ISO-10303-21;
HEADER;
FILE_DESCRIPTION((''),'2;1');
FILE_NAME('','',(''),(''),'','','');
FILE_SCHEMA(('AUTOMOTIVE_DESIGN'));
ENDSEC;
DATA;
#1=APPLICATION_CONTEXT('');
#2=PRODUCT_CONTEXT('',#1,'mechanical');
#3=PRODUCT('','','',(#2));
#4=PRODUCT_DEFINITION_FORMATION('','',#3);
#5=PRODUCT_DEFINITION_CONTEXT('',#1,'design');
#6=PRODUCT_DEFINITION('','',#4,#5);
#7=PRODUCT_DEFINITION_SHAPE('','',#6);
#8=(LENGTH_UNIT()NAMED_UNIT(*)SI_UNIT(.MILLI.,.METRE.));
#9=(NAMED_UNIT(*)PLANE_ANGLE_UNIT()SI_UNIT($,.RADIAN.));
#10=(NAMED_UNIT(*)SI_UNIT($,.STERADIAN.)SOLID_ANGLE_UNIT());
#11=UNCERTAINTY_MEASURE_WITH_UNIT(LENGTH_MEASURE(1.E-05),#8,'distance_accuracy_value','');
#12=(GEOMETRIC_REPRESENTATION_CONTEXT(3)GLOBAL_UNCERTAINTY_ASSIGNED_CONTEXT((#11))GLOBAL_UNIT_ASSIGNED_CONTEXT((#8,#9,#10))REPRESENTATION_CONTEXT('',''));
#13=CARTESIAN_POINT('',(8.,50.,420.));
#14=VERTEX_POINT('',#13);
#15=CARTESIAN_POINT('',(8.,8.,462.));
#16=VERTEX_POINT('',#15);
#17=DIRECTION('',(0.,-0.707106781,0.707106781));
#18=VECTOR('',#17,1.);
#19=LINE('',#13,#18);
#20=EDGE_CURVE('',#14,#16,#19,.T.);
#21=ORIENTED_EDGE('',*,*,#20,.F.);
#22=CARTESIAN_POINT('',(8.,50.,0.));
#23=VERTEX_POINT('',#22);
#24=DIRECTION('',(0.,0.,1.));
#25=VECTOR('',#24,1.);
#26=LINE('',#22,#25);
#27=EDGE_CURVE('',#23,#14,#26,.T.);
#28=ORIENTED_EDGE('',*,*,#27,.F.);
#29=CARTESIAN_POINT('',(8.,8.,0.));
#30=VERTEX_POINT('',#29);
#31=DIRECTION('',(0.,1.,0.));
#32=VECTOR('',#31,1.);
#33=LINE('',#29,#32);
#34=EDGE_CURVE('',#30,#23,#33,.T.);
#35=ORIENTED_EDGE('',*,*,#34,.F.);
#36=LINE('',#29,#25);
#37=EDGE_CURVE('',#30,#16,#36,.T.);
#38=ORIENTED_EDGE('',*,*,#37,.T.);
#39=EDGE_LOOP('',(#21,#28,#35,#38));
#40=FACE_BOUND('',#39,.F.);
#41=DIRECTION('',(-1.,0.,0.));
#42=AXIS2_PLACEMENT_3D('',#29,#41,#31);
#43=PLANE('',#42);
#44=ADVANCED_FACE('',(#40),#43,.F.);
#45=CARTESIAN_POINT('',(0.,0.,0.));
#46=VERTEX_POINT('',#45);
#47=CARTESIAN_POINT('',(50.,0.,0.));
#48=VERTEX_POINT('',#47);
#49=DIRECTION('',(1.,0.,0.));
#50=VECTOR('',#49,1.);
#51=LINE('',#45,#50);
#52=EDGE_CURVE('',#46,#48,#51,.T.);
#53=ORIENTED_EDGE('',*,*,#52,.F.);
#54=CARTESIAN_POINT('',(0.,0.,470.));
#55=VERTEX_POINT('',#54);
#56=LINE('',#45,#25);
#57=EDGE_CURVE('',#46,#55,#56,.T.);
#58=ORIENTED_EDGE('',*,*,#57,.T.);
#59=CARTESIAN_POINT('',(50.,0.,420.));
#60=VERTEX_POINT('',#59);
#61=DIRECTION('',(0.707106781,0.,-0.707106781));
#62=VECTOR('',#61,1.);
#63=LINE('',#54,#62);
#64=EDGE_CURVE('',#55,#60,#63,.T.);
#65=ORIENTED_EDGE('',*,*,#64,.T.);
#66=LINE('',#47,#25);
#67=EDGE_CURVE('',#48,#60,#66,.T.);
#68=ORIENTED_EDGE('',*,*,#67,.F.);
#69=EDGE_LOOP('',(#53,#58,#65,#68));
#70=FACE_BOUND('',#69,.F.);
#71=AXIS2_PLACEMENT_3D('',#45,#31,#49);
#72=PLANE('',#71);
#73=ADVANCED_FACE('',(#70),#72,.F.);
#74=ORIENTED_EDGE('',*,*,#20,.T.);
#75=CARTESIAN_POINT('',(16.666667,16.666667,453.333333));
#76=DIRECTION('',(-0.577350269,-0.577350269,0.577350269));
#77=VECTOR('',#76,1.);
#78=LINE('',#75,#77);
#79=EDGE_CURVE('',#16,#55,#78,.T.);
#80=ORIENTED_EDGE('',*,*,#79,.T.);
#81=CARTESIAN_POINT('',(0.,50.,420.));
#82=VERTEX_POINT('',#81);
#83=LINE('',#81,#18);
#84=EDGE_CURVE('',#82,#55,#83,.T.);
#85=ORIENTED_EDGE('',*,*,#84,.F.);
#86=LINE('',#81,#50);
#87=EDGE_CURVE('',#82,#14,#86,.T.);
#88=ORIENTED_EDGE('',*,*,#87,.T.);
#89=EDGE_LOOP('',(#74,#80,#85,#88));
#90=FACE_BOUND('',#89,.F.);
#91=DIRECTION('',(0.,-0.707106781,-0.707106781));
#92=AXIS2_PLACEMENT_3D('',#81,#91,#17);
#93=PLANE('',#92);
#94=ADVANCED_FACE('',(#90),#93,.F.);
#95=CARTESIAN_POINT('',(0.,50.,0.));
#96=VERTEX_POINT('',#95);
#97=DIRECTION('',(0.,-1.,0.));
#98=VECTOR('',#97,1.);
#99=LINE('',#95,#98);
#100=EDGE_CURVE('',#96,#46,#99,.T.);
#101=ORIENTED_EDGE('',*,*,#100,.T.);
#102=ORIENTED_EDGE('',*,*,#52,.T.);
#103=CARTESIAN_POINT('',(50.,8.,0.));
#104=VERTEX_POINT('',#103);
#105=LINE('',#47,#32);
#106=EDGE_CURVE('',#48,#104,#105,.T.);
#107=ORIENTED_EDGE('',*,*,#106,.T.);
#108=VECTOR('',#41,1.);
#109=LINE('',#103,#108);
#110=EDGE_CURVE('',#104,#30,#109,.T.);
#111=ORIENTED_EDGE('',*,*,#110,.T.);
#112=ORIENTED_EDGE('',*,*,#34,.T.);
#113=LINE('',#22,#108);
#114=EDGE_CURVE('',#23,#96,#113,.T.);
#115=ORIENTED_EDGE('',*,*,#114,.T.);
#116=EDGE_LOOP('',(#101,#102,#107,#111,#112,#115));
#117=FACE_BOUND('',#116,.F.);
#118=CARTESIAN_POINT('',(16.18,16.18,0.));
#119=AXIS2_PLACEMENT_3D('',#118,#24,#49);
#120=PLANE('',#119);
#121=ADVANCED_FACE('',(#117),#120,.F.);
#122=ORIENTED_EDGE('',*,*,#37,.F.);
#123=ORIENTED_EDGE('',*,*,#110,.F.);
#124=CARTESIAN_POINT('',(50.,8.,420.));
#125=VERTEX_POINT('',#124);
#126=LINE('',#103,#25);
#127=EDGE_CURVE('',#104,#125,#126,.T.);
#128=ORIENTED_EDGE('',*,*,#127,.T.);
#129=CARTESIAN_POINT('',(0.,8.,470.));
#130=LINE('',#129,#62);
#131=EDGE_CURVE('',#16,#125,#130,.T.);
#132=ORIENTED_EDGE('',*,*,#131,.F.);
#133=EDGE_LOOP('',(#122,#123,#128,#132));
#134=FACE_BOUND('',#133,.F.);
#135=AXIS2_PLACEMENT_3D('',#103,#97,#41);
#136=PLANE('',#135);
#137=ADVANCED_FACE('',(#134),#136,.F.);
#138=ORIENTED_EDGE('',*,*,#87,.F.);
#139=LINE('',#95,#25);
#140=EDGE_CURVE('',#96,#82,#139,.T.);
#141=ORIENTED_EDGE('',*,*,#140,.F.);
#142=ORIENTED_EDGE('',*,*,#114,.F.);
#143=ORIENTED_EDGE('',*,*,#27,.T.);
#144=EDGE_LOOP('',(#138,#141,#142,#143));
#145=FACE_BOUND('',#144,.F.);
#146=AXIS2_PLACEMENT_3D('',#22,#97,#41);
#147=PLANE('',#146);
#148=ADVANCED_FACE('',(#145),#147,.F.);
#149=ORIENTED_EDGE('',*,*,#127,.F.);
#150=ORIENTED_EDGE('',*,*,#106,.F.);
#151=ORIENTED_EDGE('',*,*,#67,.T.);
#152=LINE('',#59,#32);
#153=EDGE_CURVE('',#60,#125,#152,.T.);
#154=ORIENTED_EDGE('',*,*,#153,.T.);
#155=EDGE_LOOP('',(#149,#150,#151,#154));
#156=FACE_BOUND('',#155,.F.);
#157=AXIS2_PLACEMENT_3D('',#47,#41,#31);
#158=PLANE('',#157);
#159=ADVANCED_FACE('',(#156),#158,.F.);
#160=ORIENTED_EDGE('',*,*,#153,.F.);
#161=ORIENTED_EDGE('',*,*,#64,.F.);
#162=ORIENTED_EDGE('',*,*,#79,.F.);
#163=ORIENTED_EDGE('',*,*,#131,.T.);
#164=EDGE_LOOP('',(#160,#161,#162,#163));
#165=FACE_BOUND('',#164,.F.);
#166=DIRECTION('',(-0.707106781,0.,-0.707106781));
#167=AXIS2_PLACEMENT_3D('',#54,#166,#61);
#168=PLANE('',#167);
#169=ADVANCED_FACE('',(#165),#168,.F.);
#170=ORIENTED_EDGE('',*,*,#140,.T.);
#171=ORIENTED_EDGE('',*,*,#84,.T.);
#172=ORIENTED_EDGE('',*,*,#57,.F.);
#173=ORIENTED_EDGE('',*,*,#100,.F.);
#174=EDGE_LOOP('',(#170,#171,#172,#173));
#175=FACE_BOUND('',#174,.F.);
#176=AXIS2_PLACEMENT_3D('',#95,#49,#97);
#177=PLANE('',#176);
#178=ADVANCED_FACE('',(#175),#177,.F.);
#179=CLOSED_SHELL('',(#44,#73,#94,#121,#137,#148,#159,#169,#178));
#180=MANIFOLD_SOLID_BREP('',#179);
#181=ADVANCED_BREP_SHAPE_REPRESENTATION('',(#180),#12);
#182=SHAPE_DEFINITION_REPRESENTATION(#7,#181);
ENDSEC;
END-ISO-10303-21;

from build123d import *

# Parameters (mm, degrees)
F1_DEPTH = 470
F3_DEPTH = 8
F5_DEPTH = 8


with BuildPart() as f1:
    # F0 (on Top) → F1 (new body)
    with BuildSketch(Plane.XY):
        Polygon((0, 50), (0, 0), (50, 0), (50, 8), (8, 8), (8, 50), align=None)
    extrude(amount=F1_DEPTH)

    # F2 (on face) → F3 (cut, through all)
    with BuildSketch(Plane.XZ):
        Polygon((50, 470), (0, 470), (50, 420), align=None)
    extrude(amount=-F3_DEPTH, mode=Mode.SUBTRACT)

    # F4 (on face) → F5 (cut, through all)
    with BuildSketch(Plane(origin=(0, 0, 0), x_dir=(0, -1, 0), z_dir=(-1, 0, 0))):
        Polygon((-50, 420), (0, 470), (-8, 470), (-50, 470), align=None)
    extrude(amount=-F5_DEPTH, mode=Mode.SUBTRACT)


solid = f1.part
